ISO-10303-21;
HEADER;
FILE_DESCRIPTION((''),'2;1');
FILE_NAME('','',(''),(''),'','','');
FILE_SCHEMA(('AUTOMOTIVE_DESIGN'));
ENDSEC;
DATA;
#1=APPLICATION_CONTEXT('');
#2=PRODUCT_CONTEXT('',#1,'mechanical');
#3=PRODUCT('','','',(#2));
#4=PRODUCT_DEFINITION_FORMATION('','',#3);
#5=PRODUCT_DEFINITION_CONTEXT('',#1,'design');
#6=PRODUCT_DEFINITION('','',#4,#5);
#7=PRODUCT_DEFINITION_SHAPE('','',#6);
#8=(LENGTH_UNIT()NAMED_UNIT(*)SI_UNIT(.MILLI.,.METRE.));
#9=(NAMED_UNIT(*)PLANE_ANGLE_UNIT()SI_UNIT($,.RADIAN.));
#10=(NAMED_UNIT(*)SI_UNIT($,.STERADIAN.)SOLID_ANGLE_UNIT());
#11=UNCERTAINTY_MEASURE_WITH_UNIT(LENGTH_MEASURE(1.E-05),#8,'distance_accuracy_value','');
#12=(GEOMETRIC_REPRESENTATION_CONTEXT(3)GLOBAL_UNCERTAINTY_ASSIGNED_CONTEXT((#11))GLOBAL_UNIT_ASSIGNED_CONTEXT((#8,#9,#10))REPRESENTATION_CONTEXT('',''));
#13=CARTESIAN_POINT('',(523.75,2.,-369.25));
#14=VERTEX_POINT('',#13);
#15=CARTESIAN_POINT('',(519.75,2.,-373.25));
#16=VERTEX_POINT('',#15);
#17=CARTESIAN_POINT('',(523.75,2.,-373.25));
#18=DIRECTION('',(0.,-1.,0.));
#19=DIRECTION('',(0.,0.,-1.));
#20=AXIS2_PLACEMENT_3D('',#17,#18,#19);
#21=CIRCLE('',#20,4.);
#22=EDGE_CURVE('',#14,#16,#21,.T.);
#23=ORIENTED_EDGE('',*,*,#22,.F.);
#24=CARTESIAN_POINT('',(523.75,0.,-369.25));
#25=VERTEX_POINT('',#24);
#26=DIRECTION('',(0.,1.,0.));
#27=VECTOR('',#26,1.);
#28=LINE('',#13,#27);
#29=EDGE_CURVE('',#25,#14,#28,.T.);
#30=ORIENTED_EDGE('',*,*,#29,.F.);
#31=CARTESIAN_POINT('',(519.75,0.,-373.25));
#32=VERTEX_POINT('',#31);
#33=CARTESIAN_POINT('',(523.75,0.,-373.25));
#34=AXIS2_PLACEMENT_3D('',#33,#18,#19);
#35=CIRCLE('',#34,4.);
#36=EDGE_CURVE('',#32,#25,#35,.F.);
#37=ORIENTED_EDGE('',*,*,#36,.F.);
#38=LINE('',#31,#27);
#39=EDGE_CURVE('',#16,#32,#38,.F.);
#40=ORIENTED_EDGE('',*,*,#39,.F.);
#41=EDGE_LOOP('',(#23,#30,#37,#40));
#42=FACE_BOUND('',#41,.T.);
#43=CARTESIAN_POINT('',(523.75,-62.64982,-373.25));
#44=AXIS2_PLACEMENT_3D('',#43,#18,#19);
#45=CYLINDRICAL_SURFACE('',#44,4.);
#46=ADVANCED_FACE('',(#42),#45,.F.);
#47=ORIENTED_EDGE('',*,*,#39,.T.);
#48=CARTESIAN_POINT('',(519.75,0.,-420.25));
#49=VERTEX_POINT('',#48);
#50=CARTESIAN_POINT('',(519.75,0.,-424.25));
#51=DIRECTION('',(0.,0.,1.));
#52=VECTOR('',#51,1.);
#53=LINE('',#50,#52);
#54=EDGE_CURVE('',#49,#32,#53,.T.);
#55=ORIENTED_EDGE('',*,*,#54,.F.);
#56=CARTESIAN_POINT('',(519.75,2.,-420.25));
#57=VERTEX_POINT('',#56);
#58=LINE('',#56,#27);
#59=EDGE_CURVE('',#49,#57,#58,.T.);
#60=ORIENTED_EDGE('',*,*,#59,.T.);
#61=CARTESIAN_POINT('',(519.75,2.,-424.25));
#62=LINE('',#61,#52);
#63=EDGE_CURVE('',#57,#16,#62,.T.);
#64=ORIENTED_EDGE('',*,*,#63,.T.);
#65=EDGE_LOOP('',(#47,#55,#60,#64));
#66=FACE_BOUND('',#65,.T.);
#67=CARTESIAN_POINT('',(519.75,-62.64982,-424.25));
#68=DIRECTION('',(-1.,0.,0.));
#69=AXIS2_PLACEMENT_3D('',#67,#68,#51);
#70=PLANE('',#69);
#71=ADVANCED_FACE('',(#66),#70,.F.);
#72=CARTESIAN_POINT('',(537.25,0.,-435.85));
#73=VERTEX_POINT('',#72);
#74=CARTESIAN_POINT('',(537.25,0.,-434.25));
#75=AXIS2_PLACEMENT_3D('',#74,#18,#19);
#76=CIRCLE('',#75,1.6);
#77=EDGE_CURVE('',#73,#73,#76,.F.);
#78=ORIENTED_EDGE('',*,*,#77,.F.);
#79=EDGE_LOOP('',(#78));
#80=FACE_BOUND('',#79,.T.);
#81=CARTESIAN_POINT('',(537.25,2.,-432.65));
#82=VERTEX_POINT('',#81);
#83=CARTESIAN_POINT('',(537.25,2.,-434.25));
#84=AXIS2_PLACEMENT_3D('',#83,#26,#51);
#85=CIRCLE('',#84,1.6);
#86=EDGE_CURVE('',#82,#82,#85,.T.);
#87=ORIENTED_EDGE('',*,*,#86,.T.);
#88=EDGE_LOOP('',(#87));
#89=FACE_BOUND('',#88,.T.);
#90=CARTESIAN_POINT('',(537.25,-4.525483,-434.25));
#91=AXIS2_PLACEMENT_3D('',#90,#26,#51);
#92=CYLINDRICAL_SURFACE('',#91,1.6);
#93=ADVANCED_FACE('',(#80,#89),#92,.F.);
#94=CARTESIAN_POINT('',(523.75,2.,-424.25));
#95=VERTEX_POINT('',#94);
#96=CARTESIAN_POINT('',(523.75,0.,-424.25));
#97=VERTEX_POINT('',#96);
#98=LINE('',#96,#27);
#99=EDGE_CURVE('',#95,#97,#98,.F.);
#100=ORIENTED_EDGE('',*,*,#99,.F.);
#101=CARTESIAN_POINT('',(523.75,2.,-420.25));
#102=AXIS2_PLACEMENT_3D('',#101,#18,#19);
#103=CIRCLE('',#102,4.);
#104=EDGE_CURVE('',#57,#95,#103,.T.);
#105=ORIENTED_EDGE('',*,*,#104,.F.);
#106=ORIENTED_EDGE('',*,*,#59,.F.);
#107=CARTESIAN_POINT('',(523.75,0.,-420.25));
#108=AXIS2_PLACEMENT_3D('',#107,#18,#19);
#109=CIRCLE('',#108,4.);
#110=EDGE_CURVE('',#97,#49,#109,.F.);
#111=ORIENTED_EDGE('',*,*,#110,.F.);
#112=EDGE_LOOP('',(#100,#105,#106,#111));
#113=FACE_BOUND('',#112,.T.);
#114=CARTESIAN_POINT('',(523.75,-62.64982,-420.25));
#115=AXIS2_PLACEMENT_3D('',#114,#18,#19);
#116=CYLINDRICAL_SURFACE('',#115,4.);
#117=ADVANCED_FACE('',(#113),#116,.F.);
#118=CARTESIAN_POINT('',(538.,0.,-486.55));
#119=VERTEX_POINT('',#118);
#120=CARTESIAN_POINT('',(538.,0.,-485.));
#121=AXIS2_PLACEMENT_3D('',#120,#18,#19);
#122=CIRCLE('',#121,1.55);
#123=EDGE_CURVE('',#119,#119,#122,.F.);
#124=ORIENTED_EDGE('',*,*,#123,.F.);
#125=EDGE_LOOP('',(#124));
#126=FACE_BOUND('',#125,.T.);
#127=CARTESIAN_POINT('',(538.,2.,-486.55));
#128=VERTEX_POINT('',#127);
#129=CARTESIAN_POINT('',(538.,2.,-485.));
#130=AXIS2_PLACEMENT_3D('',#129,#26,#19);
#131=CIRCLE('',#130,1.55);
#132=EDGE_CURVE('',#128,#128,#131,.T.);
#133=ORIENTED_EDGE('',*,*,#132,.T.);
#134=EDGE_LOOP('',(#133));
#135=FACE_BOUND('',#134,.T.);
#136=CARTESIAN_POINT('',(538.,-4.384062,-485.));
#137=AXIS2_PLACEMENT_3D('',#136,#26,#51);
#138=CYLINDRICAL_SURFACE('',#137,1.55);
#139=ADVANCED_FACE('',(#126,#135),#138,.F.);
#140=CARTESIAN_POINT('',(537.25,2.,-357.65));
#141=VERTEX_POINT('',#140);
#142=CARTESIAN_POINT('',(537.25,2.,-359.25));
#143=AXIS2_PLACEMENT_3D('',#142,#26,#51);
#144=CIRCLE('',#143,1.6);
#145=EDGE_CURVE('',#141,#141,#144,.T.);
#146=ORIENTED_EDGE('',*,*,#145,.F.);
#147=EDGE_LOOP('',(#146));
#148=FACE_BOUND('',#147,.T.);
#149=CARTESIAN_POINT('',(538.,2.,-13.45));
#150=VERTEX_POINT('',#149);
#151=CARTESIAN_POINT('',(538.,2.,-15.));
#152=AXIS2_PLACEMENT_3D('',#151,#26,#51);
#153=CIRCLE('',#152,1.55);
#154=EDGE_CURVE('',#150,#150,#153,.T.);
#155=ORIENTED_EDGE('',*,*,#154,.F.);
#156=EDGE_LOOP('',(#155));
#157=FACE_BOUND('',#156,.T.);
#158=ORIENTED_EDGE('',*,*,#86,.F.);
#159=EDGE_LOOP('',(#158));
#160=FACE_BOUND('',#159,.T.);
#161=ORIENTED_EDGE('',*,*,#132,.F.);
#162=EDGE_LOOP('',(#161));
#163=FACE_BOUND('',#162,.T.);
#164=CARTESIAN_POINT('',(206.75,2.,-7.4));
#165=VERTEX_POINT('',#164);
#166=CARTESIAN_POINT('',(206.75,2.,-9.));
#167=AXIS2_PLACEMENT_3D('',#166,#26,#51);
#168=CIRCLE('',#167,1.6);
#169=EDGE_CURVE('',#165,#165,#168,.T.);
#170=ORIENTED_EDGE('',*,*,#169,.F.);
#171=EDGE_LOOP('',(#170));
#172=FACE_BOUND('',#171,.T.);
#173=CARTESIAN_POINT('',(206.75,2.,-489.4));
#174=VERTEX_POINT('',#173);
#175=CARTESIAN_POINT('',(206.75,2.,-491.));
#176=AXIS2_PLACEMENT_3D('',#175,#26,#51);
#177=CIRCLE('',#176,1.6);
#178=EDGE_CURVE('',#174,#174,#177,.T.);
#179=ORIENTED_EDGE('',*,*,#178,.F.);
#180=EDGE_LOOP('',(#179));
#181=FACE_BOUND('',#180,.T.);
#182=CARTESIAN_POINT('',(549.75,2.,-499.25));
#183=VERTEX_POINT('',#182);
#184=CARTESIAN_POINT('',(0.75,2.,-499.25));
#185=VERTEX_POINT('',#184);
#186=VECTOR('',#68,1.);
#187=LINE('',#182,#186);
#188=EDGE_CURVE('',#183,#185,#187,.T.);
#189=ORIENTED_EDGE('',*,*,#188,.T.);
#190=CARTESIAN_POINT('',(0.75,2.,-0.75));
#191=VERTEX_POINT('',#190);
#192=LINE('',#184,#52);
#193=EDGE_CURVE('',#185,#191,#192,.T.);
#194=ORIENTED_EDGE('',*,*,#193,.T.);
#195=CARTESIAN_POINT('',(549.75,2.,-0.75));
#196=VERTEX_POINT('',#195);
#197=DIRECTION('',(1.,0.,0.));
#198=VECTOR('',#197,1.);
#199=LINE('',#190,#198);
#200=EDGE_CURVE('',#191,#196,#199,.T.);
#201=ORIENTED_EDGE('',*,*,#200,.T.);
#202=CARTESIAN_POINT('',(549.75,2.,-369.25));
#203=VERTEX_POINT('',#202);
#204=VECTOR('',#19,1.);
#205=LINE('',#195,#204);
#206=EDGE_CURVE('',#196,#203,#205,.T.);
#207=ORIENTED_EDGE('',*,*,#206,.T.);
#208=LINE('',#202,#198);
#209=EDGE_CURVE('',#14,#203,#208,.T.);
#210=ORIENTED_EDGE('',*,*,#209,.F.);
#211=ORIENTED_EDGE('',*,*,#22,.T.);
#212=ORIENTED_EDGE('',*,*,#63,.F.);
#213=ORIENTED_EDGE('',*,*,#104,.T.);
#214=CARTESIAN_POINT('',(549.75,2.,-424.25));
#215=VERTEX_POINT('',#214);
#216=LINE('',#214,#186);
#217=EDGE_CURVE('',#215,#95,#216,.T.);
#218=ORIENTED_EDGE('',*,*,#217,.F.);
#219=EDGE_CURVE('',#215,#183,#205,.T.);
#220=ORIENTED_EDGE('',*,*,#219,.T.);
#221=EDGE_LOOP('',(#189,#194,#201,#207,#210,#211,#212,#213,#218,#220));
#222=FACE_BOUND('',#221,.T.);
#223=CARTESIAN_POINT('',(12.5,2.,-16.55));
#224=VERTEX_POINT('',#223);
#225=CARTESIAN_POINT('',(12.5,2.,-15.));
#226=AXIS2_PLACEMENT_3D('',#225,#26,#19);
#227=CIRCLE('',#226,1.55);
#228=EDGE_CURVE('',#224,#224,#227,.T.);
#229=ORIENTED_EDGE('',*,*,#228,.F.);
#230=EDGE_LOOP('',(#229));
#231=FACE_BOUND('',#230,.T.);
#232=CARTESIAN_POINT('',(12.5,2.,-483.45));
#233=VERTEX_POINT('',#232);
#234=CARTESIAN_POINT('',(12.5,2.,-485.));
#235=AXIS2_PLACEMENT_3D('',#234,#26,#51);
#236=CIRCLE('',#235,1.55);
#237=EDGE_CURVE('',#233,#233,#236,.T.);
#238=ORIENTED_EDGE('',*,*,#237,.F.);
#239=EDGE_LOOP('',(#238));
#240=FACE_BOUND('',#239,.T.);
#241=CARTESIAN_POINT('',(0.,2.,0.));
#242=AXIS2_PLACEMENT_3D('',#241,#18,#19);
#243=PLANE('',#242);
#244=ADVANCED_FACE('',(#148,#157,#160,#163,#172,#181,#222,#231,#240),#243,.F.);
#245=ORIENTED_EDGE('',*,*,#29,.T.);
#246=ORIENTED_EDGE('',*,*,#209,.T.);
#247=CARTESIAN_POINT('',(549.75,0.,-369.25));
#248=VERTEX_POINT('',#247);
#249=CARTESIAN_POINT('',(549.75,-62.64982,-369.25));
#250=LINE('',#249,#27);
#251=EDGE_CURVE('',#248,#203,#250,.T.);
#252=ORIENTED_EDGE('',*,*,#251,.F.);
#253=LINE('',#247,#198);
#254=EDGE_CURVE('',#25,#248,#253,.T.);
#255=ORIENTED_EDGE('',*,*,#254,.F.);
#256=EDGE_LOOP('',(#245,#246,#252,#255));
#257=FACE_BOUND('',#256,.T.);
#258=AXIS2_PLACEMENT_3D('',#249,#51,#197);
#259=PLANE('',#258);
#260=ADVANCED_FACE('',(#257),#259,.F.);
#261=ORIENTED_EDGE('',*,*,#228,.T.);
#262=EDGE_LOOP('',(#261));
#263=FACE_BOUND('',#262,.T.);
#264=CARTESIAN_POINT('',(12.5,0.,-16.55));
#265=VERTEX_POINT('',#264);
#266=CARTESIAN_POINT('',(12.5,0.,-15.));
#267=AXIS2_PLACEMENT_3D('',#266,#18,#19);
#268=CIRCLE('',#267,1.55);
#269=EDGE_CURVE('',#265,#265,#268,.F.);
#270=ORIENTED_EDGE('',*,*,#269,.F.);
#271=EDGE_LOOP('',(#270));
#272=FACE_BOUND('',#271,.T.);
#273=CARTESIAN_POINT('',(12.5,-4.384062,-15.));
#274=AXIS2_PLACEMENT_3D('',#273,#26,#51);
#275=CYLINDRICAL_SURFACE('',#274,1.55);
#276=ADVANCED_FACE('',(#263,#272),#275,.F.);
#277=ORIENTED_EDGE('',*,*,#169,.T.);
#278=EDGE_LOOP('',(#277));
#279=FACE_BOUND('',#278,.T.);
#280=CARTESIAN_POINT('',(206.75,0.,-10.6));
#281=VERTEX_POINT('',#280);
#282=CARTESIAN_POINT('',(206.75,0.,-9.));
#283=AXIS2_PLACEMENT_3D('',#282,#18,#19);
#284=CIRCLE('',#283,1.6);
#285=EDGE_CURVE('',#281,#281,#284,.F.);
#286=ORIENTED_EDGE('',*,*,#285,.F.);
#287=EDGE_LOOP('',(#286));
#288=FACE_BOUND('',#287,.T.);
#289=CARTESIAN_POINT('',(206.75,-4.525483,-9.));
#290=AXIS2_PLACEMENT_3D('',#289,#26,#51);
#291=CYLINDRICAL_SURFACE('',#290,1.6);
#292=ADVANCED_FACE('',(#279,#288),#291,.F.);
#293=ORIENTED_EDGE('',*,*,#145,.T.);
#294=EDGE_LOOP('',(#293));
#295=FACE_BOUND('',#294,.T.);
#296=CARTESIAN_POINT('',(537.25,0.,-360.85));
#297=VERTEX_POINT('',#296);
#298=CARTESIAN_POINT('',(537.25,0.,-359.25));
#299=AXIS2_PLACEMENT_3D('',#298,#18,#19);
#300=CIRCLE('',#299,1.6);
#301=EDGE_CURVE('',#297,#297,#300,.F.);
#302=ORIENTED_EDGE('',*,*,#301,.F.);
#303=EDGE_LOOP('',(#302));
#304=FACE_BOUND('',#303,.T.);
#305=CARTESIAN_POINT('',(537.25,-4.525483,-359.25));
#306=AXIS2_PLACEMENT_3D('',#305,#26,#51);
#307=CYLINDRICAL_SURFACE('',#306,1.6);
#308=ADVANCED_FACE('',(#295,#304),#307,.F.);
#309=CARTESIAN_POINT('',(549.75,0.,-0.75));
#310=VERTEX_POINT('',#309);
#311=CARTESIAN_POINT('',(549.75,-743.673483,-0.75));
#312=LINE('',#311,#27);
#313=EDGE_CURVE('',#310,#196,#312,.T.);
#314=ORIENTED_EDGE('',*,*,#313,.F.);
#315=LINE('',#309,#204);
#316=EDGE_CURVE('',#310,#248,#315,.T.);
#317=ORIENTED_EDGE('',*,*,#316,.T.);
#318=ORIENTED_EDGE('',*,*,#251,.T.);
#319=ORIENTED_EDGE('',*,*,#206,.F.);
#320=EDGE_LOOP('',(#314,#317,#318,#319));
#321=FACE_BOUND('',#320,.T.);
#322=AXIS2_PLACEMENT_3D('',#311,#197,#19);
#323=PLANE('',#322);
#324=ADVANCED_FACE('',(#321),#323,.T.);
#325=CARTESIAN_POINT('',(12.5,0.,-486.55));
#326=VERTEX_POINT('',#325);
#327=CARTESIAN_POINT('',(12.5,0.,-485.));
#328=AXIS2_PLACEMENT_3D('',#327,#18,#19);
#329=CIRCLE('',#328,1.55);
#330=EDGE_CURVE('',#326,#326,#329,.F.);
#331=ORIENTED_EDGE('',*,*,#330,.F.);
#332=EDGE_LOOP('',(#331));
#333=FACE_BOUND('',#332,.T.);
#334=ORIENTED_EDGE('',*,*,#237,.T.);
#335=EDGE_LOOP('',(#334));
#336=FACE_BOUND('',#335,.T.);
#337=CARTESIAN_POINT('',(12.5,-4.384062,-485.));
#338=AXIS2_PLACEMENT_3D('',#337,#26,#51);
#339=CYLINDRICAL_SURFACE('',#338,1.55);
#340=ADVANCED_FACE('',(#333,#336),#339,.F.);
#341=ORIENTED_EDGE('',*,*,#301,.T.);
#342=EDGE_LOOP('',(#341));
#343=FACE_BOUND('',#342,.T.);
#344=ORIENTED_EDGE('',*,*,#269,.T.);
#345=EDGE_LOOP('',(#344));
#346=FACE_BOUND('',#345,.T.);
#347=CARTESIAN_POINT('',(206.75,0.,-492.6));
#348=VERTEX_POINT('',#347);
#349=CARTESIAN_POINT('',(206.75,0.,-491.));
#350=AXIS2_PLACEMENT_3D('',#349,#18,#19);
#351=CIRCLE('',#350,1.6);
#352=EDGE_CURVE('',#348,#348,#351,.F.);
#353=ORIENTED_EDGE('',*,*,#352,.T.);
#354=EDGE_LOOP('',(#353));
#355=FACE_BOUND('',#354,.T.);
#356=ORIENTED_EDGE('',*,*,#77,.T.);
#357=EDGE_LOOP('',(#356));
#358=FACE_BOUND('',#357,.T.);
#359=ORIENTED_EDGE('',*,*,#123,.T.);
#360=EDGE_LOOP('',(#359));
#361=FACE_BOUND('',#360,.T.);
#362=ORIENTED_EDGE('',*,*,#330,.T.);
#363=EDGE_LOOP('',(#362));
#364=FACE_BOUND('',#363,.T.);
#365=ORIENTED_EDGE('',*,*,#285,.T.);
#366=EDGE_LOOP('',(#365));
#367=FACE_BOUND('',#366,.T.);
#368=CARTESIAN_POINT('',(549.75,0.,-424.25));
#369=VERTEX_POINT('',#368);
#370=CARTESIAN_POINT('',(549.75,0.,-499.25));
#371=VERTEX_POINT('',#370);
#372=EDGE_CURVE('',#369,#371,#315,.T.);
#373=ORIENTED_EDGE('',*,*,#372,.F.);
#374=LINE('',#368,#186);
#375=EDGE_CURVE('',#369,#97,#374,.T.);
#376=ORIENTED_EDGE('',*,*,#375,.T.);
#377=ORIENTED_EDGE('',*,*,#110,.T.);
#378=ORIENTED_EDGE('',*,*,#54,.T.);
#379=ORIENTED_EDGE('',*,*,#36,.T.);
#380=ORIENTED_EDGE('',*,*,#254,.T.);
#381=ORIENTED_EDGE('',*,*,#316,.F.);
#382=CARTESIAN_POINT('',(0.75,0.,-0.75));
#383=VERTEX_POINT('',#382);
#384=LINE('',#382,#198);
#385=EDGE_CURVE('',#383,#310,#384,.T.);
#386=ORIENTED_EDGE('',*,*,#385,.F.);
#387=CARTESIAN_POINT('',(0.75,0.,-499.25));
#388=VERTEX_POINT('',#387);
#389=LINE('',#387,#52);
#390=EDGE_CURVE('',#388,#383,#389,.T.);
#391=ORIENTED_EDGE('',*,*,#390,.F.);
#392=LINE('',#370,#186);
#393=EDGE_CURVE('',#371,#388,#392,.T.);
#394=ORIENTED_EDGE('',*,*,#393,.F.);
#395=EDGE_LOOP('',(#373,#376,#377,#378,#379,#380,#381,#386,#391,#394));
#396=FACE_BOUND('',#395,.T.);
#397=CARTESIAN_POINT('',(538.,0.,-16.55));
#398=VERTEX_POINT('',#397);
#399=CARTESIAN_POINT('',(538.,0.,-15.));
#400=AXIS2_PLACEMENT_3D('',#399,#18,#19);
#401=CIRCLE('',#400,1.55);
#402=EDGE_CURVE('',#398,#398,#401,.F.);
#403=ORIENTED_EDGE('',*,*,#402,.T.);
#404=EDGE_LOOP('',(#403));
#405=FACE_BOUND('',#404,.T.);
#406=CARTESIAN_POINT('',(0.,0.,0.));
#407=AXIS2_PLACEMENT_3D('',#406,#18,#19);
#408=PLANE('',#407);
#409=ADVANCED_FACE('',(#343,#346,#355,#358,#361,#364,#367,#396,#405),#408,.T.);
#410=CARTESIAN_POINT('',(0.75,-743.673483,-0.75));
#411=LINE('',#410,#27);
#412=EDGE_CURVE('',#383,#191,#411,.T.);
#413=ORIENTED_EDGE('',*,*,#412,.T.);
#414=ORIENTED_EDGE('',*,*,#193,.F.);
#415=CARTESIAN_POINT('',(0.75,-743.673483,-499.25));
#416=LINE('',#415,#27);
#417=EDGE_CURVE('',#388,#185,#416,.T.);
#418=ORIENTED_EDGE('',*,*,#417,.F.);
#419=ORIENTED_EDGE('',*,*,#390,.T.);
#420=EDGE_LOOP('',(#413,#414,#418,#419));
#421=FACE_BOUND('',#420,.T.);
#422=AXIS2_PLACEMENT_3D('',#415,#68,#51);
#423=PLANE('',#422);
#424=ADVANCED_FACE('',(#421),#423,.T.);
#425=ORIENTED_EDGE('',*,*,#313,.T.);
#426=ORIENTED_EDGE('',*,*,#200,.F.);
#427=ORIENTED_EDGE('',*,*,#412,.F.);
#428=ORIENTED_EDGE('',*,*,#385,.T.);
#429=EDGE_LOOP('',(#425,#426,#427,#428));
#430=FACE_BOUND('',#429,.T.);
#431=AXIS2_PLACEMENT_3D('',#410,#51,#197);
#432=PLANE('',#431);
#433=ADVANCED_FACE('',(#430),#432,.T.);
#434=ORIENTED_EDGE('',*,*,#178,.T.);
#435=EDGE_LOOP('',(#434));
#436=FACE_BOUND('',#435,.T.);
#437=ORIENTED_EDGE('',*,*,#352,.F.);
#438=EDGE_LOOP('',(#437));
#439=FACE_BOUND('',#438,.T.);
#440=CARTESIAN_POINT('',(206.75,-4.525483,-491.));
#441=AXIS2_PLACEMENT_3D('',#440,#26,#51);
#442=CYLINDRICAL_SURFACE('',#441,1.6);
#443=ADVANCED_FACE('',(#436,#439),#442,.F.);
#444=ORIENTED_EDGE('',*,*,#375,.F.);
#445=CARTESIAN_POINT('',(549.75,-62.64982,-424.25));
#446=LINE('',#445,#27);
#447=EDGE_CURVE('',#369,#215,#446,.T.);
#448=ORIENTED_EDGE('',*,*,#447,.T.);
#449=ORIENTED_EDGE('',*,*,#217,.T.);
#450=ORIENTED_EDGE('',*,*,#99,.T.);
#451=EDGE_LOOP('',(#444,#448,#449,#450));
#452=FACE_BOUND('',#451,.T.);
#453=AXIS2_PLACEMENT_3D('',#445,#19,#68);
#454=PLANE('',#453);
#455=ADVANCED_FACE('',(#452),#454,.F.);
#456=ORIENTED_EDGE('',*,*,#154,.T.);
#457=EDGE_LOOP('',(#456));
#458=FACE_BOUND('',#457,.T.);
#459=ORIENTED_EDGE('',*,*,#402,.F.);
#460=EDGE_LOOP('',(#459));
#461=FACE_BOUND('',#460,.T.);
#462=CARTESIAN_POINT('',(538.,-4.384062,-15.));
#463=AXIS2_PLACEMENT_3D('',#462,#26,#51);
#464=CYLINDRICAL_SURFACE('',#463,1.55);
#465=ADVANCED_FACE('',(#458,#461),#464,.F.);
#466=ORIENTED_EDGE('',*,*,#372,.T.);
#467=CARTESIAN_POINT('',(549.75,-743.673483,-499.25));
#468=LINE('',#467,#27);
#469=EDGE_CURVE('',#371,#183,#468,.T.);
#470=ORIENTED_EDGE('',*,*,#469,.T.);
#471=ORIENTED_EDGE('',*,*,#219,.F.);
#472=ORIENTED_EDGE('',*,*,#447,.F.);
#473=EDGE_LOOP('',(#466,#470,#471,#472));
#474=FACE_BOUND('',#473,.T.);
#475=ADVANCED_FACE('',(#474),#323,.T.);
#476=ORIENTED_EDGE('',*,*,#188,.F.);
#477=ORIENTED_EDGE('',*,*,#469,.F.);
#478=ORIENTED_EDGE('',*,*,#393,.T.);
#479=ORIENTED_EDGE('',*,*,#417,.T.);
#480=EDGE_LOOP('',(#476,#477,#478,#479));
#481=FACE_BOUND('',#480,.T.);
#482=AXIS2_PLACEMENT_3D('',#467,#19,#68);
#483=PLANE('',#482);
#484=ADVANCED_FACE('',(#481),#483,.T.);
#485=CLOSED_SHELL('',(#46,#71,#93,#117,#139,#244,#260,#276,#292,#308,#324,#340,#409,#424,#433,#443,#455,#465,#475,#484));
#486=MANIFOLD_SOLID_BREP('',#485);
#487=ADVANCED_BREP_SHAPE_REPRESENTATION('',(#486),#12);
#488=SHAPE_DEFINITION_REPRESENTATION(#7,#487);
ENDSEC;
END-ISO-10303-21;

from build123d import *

# Parameters (mm, degrees)
CROQUIS1_W              = 550.5
CROQUIS1_H              = 500
SALIENTE_EXTRUIR1_DEPTH = 2
CROQUIS2_R              = 1.55
CORTAR_EXTRUIR1_DEPTH   = 2
CROQUIS3_W              = 550.5
CROQUIS3_H              = 500
CROQUIS3_W_2            = 549
CROQUIS3_H_2            = 498.5
CORTAR_EXTRUIR2_DEPTH   = 2
CROQUIS4_W              = 30
CROQUIS4_H              = 55
CORTAR_EXTRUIR3_DEPTH   = 2
REDONDEO1_R             = 4
CROQUIS5_R              = 1.6
CORTAR_EXTRUIR4_DEPTH   = 2
CROQUIS6_R              = 1.6
CORTAR_EXTRUIR5_DEPTH   = 2


with BuildPart() as part:
    # Croquis1 → Saliente-Extruir1 (new body)
    with BuildSketch(Plane(origin=(0, 0, 0), x_dir=(1, 0, 0), z_dir=(0, 1, 0))):
        with Locations((275.25, 250)):
            Rectangle(CROQUIS1_W, CROQUIS1_H)
    extrude(amount=SALIENTE_EXTRUIR1_DEPTH)

    # Croquis2 → Cortar-Extruir1 (cut)
    with BuildSketch(Plane(origin=(0, 2, 0), x_dir=(1, 0, 0), z_dir=(0, 1, 0))):
        with Locations(Location((12.5, 485, 0), (0, 0, 270))):
            Circle(CROQUIS2_R)
        with Locations(Location((538, 485, 0), (0, 0, 90))):
            Circle(CROQUIS2_R)
        with Locations(Location((538, 15, 0), (0, 0, 270))):
            Circle(CROQUIS2_R)
        with Locations(Location((12.5, 15, 0), (0, 0, 90))):
            Circle(CROQUIS2_R)
    extrude(amount=-CORTAR_EXTRUIR1_DEPTH, mode=Mode.SUBTRACT)

    # Croquis3 → Cortar-Extruir2 (cut)
    with BuildSketch(Plane(origin=(0, 2, 0), x_dir=(1, 0, 0), z_dir=(0, 1, 0))):
        with Locations((275.25, 250)):
            Rectangle(CROQUIS3_W, CROQUIS3_H)
        with Locations((275.25, 250)):
            Rectangle(CROQUIS3_W_2, CROQUIS3_H_2, mode=Mode.SUBTRACT)
    extrude(amount=-CORTAR_EXTRUIR2_DEPTH, mode=Mode.SUBTRACT)

    # Croquis4 → Cortar-Extruir3 (cut)
    with BuildSketch(Plane(origin=(0, 2, 0), x_dir=(1, 0, 0), z_dir=(0, 1, 0))):
        with Locations((534.75, 396.75)):
            Rectangle(CROQUIS4_W, CROQUIS4_H)
    extrude(amount=-CORTAR_EXTRUIR3_DEPTH, mode=Mode.SUBTRACT)

    # Redondeo1
    redondeo1_edges = [part.edges().sort_by_distance(p)[0] for p in [
        (519.75, 1, -424.25),
        (519.75, 1, -369.25),
    ]]
    fillet(redondeo1_edges, radius=REDONDEO1_R)

    # Croquis5 → Cortar-Extruir4 (cut)
    with BuildSketch(Plane(origin=(0, 2, 0), x_dir=(1, 0, 0), z_dir=(0, 1, 0))):
        with Locations(Location((537.25, 434.25, 0), (0, 0, 270))):
            Circle(CROQUIS5_R)
        with Locations(Location((537.25, 359.25, 0), (0, 0, 270))):
            Circle(CROQUIS5_R)
    extrude(amount=-CORTAR_EXTRUIR4_DEPTH, mode=Mode.SUBTRACT)

    # Croquis6 → Cortar-Extruir5 (cut)
    with BuildSketch(Plane(origin=(0, 2, 0), x_dir=(1, 0, 0), z_dir=(0, 1, 0))):
        with Locations(Location((206.75, 491, 0), (0, 0, 270))):
            Circle(CROQUIS6_R)
        with Locations(Location((206.75, 9, 0), (0, 0, 270))):
            Circle(CROQUIS6_R)
    extrude(amount=-CORTAR_EXTRUIR5_DEPTH, mode=Mode.SUBTRACT)


solid = part.part
